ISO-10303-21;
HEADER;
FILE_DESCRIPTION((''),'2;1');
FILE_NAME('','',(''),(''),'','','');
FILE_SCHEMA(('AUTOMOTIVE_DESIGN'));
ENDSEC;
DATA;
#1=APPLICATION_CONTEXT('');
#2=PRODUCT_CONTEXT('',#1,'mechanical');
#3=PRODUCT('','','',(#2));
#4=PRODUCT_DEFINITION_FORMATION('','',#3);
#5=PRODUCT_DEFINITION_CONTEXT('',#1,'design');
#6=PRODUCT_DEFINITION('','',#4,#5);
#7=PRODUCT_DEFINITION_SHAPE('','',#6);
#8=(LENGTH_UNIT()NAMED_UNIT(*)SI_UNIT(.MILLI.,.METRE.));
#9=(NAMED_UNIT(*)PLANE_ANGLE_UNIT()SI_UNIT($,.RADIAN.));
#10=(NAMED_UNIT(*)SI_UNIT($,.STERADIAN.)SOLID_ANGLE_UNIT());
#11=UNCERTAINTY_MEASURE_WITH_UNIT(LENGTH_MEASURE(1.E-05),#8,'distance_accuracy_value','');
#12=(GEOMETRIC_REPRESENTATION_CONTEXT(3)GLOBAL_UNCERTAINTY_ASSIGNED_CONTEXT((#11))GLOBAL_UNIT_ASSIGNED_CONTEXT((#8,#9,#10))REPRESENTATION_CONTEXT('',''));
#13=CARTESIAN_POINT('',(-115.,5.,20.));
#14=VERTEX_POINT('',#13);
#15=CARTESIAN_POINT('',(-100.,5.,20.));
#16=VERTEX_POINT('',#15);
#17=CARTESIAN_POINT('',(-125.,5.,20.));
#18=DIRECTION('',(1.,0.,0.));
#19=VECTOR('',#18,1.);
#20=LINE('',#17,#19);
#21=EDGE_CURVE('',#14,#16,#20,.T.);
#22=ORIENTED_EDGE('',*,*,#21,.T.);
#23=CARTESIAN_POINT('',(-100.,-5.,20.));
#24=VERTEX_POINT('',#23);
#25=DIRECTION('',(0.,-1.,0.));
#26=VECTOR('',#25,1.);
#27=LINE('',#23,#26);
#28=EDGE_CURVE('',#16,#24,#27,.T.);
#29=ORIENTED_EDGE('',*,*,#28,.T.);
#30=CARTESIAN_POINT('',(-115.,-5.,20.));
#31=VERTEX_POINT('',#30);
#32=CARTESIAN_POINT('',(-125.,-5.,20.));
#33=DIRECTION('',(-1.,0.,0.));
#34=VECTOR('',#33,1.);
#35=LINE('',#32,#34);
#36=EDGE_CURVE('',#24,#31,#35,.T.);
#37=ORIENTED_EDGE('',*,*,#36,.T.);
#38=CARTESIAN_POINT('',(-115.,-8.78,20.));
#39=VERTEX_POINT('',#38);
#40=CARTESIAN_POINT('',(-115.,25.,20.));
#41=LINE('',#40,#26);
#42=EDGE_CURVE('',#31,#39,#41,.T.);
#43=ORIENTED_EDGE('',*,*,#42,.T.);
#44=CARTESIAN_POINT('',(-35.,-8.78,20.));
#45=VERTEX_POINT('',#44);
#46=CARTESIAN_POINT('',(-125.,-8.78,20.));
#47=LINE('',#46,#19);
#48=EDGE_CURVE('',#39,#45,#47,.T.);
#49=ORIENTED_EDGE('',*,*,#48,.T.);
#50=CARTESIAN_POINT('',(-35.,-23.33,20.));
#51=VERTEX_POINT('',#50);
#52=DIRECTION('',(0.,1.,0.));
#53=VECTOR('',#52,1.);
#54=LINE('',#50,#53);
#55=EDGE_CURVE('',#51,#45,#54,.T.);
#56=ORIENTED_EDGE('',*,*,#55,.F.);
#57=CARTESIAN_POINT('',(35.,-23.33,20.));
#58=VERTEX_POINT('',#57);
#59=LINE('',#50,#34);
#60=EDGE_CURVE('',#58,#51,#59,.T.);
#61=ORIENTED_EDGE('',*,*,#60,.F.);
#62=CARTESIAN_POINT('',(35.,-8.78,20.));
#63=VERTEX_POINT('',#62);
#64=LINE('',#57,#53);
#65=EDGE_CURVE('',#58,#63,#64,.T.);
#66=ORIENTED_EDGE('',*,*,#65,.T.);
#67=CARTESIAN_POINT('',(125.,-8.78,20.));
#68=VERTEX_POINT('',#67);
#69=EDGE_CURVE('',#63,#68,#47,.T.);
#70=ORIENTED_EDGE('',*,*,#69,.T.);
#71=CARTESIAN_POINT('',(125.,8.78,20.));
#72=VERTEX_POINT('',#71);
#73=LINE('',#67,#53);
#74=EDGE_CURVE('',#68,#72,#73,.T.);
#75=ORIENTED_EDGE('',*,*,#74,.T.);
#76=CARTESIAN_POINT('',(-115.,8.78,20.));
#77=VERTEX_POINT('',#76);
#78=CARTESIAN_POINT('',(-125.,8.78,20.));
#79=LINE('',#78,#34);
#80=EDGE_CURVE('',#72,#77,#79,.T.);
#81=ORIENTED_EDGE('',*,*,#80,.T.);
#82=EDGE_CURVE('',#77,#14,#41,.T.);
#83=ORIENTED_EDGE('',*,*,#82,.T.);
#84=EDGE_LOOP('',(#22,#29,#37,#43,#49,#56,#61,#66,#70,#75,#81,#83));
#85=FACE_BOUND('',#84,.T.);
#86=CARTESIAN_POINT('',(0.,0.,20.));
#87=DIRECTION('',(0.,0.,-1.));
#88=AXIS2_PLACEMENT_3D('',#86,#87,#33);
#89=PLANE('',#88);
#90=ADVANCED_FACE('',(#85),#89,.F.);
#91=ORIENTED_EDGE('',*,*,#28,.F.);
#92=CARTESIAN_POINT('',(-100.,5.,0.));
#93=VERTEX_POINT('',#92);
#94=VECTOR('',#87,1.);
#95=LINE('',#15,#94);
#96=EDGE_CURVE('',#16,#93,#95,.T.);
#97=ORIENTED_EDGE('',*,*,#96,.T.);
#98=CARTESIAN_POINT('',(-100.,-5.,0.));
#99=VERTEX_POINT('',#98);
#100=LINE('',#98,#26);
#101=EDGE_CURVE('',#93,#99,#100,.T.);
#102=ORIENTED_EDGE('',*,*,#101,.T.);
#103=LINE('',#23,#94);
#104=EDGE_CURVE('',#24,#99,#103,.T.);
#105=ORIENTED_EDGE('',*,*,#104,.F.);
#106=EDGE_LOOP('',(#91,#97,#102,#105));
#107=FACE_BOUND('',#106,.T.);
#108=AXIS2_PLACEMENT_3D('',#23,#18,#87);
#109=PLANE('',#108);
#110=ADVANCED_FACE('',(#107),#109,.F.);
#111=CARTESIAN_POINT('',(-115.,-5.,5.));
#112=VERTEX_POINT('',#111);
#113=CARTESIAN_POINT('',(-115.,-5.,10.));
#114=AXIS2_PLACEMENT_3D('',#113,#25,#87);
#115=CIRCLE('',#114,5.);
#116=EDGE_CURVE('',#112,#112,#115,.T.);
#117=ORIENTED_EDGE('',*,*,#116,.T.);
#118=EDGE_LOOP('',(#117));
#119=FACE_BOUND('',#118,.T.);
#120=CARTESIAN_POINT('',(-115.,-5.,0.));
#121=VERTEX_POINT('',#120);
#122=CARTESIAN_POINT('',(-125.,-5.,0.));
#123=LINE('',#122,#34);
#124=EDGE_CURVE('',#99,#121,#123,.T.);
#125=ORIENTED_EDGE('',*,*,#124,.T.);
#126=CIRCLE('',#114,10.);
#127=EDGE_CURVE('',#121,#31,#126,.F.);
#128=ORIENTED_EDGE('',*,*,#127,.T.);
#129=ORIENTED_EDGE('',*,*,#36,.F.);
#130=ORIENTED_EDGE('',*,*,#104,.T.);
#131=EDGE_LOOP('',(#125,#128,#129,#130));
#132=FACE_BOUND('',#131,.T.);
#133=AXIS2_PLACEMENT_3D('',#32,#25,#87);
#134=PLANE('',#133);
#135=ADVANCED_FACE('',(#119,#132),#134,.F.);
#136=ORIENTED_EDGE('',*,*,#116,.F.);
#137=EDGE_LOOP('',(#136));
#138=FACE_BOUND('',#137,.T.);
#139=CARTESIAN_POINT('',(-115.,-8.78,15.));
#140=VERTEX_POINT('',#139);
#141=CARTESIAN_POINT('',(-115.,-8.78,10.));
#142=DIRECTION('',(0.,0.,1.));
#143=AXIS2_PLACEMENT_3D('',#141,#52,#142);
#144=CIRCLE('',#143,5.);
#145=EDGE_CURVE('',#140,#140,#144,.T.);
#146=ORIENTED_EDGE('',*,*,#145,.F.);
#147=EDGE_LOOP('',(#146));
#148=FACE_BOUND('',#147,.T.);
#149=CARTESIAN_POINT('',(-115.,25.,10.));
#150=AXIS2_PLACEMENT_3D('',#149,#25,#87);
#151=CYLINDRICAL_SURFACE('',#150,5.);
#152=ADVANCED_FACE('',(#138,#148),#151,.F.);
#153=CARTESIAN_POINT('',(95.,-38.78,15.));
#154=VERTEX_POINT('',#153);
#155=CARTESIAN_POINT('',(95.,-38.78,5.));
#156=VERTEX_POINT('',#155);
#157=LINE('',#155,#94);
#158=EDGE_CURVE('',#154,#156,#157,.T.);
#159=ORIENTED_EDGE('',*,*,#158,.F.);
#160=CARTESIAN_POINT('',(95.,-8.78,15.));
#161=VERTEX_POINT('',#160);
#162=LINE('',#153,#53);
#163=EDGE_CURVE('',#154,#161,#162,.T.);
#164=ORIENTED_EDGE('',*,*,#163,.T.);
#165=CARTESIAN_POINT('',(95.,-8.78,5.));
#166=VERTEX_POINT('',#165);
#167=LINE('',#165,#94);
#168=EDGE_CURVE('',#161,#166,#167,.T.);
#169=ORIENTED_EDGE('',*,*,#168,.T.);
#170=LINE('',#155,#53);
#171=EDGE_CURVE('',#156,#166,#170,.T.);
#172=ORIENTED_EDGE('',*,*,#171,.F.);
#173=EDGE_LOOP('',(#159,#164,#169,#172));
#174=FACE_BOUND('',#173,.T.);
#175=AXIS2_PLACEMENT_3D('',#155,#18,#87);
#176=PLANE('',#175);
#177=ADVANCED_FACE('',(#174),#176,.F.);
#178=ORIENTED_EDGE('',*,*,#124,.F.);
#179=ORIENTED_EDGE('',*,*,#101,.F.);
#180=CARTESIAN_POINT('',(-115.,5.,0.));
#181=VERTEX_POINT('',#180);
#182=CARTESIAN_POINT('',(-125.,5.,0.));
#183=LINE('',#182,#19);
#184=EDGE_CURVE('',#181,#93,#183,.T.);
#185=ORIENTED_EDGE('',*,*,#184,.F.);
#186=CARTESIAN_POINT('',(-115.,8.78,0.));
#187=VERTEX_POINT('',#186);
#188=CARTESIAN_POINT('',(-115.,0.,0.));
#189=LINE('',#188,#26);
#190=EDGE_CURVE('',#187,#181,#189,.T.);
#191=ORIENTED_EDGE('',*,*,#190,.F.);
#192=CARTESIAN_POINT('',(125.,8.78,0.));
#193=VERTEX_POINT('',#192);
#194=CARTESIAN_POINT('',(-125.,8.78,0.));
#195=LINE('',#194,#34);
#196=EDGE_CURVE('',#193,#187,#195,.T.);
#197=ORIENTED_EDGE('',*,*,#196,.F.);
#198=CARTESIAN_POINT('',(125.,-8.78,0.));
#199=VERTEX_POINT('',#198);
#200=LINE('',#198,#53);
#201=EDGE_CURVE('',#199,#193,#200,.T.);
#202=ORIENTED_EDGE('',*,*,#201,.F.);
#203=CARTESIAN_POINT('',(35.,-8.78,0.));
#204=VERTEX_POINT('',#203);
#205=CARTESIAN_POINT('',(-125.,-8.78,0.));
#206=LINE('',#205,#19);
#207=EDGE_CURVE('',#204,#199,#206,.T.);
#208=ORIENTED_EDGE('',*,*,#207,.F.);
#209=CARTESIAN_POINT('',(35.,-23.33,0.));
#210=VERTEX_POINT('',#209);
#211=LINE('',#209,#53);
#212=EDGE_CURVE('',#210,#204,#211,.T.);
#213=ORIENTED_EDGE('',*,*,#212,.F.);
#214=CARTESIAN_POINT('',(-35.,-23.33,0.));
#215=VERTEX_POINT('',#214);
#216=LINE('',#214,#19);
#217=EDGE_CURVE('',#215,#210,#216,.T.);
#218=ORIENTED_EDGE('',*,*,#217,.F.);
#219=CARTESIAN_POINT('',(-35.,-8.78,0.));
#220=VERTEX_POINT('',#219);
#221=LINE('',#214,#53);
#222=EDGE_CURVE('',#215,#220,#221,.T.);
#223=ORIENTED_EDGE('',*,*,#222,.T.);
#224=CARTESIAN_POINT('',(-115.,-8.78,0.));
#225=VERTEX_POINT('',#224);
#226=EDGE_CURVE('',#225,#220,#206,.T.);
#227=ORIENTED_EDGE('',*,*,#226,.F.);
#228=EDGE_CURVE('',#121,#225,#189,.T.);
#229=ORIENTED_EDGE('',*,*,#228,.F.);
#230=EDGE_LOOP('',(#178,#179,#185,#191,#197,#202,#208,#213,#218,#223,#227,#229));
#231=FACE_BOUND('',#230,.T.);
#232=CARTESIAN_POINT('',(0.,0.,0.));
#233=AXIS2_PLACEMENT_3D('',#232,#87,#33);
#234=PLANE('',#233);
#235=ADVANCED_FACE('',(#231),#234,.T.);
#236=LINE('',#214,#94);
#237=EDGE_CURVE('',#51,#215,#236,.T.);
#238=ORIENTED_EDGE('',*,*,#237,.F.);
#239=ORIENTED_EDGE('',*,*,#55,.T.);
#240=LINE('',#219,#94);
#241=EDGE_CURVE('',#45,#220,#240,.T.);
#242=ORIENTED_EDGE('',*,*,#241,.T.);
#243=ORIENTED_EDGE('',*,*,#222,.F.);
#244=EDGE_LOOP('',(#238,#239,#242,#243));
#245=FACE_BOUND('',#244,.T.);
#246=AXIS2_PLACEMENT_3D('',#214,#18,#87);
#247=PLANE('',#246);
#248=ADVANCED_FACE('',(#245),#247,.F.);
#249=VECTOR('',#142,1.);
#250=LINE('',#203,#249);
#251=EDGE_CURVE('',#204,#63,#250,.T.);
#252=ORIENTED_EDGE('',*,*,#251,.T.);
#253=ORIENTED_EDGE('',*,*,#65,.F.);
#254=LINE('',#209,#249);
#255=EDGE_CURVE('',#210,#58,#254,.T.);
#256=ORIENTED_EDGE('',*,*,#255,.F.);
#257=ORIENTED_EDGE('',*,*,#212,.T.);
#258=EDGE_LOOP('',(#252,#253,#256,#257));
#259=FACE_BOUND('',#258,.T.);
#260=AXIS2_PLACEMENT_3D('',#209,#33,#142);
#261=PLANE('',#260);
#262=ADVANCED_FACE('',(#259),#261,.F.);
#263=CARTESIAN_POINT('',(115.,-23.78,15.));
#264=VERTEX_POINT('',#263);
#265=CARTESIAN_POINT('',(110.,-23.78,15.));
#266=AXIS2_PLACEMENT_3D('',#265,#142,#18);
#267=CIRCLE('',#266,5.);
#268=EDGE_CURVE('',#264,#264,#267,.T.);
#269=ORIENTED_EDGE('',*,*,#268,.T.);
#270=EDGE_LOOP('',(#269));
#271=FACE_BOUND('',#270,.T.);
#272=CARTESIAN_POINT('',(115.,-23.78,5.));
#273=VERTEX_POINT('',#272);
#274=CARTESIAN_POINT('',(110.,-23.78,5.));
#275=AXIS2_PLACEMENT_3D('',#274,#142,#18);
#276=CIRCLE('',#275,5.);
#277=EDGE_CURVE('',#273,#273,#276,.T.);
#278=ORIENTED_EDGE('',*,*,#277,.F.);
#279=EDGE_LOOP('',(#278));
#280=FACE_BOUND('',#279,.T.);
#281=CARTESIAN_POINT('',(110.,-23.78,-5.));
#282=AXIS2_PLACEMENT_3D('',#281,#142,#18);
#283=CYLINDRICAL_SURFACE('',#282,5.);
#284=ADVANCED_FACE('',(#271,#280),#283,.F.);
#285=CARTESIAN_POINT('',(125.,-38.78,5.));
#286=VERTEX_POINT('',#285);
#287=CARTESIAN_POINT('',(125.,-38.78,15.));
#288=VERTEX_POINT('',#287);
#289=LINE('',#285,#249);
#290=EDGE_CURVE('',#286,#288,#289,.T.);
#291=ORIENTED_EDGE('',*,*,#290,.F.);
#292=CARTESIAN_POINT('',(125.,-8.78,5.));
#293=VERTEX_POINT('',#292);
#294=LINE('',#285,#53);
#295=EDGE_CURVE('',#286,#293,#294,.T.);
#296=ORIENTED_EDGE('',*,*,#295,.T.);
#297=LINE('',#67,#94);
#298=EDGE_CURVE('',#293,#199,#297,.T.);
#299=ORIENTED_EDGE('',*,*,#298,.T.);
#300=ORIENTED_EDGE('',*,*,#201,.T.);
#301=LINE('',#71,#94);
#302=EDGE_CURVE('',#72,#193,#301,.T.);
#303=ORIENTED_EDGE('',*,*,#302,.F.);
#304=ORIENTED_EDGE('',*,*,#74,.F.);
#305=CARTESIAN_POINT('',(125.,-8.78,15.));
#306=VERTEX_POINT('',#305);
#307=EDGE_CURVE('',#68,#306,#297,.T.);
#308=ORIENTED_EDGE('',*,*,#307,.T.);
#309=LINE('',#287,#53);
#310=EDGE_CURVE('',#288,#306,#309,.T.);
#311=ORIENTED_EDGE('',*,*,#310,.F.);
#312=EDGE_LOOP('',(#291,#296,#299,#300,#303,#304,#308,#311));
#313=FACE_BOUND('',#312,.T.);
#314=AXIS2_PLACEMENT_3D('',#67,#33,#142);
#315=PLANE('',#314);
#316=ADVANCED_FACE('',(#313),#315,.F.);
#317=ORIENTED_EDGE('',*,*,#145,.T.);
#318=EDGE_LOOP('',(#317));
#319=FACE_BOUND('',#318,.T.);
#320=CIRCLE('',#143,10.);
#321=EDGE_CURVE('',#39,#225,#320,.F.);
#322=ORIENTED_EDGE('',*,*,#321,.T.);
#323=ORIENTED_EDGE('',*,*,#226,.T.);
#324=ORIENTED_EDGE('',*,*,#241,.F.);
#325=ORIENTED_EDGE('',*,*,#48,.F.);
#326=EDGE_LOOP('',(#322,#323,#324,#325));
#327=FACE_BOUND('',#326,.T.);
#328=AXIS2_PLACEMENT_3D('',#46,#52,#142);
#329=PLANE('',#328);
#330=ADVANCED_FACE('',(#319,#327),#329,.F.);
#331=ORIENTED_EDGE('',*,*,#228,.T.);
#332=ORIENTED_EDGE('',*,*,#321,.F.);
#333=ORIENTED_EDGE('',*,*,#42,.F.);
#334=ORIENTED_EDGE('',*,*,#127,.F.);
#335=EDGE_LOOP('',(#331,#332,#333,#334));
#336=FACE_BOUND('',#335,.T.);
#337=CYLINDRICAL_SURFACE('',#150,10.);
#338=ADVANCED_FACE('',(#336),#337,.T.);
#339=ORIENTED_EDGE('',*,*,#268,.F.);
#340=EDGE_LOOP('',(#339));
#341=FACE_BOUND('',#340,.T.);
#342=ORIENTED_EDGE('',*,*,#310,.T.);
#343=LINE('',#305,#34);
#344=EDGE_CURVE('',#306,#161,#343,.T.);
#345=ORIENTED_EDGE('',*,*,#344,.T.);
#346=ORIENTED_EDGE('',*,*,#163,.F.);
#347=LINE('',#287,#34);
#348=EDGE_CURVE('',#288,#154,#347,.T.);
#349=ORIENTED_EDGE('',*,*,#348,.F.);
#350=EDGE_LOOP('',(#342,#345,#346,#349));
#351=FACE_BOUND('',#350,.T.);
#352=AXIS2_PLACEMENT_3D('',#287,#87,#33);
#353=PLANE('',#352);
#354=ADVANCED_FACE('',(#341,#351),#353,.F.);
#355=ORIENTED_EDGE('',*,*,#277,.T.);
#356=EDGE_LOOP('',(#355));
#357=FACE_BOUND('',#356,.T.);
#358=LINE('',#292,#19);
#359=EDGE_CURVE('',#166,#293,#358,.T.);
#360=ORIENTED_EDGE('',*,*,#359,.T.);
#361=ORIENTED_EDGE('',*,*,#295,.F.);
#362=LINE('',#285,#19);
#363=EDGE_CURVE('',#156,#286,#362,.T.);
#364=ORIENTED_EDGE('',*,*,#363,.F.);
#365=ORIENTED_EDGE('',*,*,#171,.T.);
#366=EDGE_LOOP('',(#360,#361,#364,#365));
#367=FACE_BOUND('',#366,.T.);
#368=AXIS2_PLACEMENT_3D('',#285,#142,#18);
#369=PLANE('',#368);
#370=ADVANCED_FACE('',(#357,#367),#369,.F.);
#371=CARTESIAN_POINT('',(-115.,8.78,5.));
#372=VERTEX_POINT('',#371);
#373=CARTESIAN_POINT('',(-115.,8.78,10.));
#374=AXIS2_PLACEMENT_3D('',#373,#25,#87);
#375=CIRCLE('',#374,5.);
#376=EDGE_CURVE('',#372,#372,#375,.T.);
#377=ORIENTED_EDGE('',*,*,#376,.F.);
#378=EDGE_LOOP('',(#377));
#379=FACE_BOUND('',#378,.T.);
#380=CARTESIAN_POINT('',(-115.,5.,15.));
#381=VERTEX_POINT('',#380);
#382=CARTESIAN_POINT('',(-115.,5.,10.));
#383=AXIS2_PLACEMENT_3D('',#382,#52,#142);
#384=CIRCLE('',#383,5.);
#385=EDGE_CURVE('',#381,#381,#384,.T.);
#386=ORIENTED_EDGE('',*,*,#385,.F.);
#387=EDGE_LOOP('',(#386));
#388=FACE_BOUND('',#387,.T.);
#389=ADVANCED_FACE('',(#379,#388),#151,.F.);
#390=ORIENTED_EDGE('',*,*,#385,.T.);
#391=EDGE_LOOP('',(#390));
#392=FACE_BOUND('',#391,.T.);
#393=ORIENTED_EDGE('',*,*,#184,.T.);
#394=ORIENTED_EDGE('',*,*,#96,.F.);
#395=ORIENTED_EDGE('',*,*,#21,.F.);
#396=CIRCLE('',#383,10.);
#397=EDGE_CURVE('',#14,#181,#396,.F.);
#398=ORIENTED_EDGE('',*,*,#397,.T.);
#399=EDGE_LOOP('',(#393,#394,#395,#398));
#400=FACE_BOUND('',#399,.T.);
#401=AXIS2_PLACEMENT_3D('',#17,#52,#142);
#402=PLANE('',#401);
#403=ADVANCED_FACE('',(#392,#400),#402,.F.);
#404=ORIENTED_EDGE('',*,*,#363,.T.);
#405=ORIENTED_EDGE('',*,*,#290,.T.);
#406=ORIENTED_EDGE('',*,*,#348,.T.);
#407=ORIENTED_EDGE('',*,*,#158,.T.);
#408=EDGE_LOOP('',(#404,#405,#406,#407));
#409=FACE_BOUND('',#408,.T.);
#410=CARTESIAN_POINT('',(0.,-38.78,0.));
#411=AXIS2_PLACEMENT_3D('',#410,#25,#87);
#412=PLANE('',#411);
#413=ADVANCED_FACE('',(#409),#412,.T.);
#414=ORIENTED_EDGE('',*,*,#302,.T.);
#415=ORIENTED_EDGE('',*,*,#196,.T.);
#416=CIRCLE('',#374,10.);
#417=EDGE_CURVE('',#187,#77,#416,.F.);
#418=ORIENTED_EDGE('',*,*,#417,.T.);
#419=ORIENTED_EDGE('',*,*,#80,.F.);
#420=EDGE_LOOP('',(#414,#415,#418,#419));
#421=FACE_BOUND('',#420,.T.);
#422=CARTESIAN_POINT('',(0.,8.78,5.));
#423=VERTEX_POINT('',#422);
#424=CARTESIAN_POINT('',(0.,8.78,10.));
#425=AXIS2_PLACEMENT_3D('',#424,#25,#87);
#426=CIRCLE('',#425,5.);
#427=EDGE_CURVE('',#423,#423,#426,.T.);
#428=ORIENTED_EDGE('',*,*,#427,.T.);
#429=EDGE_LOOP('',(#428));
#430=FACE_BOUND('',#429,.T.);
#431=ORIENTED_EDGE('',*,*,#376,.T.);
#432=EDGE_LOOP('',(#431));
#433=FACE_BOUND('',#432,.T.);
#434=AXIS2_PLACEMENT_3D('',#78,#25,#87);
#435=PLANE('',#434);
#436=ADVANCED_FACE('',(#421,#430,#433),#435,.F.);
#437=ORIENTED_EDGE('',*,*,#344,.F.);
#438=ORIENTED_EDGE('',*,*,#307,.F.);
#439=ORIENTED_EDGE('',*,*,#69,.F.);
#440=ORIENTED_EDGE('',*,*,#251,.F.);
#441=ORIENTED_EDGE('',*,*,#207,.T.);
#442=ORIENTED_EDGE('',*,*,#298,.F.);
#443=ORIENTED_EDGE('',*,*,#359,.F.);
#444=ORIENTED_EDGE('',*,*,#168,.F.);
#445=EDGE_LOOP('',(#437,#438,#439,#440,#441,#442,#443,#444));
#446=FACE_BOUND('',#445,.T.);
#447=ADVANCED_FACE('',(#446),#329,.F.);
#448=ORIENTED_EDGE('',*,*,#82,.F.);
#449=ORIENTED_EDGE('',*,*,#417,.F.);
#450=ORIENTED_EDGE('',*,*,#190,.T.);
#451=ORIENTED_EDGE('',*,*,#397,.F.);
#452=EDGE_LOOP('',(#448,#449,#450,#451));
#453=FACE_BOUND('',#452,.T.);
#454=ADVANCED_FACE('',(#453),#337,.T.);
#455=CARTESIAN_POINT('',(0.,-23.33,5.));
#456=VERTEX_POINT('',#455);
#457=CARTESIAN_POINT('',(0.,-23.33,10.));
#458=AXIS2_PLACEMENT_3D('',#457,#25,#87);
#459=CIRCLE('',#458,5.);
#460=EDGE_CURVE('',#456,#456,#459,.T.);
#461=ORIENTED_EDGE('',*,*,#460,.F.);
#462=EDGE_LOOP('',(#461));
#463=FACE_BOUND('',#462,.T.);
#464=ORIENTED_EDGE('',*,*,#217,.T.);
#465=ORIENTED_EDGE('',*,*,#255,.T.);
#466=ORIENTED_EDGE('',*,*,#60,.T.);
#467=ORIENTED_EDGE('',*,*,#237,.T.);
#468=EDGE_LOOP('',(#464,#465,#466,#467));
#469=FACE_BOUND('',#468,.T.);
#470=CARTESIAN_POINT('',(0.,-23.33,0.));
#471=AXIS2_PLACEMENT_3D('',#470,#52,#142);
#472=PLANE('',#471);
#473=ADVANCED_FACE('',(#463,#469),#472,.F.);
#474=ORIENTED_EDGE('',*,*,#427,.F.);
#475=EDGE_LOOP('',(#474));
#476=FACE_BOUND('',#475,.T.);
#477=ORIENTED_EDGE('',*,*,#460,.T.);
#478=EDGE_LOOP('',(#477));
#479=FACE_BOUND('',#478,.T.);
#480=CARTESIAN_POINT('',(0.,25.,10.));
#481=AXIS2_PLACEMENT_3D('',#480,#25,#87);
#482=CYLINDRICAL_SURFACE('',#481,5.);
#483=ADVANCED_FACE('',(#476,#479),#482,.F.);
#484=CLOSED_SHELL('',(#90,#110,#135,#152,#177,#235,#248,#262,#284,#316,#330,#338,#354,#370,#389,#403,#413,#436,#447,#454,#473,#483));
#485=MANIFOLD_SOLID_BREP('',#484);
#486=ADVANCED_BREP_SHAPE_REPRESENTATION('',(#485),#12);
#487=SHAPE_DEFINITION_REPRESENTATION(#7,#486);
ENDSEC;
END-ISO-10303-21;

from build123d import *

# Parameters (mm, degrees)
BOSS_EXTRUDE1_DEPTH = 20
SKETCH2_R           = 5
CUT_EXTRUDE1_DEPTH  = 20
SKETCH3_W           = 70
SKETCH3_H           = 20
SKETCH3_R           = 5
BOSS_EXTRUDE2_DEPTH = 14.55
SKETCH4_W           = 30
SKETCH4_H           = 10
BOSS_EXTRUDE3_DEPTH = 30
SKETCH5_R           = 5
CUT_EXTRUDE2_DEPTH  = 20


with BuildPart() as part:
    # Sketch1 → Boss-Extrude1 (new body)
    with BuildSketch(Plane.XY):
        Polygon((-125, -8.78), (125, -8.78), (125, 8.78), (-125, 8.78), (-125, 5), (-100, 5), (-100, -5), (-125, -5), align=None)
    extrude(amount=BOSS_EXTRUDE1_DEPTH)

    # Sketch2 → Cut-Extrude1 (cut, symmetric)
    with BuildSketch(Plane.XZ.offset(-5)):
        with Locations((-115, 10)):
            Circle(SKETCH2_R)
        with Locations((0, 10)):
            Circle(SKETCH2_R)
        with BuildLine():
            Line((-115, 20), (-115, 22.029141536))
            Line((-115, 22.029141536), (-130, 22.029141536))
            Line((-130, 22.029141536), (-130, -2.19309391))
            Line((-130, -2.19309391), (-115, -2.19309391))
            Line((-115, -2.19309391), (-115, 0))
            ThreePointArc((-115, 0), (-125, 10), (-115, 20))
        make_face()
    extrude(amount=CUT_EXTRUDE1_DEPTH, both=True, mode=Mode.SUBTRACT)

    # Sketch3 → Boss-Extrude2 (add)
    with BuildSketch(Plane.XZ.offset(8.78)):
        with Locations((0, 10)):
            Rectangle(SKETCH3_W, SKETCH3_H)
        with Locations((0, 10)):
            Circle(SKETCH3_R, mode=Mode.SUBTRACT)
    extrude(amount=BOSS_EXTRUDE2_DEPTH)

    # Sketch4 → Boss-Extrude3 (add)
    with BuildSketch(Plane.XZ.offset(8.78)):
        with Locations((110, 10)):
            Rectangle(SKETCH4_W, SKETCH4_H)
    extrude(amount=BOSS_EXTRUDE3_DEPTH)

    # Sketch5 → Cut-Extrude2 (cut)
    with BuildSketch(Plane.XY.offset(15)):
        with Locations((110, -23.78)):
            Circle(SKETCH5_R)
    extrude(amount=-CUT_EXTRUDE2_DEPTH, mode=Mode.SUBTRACT)


solid = part.part
